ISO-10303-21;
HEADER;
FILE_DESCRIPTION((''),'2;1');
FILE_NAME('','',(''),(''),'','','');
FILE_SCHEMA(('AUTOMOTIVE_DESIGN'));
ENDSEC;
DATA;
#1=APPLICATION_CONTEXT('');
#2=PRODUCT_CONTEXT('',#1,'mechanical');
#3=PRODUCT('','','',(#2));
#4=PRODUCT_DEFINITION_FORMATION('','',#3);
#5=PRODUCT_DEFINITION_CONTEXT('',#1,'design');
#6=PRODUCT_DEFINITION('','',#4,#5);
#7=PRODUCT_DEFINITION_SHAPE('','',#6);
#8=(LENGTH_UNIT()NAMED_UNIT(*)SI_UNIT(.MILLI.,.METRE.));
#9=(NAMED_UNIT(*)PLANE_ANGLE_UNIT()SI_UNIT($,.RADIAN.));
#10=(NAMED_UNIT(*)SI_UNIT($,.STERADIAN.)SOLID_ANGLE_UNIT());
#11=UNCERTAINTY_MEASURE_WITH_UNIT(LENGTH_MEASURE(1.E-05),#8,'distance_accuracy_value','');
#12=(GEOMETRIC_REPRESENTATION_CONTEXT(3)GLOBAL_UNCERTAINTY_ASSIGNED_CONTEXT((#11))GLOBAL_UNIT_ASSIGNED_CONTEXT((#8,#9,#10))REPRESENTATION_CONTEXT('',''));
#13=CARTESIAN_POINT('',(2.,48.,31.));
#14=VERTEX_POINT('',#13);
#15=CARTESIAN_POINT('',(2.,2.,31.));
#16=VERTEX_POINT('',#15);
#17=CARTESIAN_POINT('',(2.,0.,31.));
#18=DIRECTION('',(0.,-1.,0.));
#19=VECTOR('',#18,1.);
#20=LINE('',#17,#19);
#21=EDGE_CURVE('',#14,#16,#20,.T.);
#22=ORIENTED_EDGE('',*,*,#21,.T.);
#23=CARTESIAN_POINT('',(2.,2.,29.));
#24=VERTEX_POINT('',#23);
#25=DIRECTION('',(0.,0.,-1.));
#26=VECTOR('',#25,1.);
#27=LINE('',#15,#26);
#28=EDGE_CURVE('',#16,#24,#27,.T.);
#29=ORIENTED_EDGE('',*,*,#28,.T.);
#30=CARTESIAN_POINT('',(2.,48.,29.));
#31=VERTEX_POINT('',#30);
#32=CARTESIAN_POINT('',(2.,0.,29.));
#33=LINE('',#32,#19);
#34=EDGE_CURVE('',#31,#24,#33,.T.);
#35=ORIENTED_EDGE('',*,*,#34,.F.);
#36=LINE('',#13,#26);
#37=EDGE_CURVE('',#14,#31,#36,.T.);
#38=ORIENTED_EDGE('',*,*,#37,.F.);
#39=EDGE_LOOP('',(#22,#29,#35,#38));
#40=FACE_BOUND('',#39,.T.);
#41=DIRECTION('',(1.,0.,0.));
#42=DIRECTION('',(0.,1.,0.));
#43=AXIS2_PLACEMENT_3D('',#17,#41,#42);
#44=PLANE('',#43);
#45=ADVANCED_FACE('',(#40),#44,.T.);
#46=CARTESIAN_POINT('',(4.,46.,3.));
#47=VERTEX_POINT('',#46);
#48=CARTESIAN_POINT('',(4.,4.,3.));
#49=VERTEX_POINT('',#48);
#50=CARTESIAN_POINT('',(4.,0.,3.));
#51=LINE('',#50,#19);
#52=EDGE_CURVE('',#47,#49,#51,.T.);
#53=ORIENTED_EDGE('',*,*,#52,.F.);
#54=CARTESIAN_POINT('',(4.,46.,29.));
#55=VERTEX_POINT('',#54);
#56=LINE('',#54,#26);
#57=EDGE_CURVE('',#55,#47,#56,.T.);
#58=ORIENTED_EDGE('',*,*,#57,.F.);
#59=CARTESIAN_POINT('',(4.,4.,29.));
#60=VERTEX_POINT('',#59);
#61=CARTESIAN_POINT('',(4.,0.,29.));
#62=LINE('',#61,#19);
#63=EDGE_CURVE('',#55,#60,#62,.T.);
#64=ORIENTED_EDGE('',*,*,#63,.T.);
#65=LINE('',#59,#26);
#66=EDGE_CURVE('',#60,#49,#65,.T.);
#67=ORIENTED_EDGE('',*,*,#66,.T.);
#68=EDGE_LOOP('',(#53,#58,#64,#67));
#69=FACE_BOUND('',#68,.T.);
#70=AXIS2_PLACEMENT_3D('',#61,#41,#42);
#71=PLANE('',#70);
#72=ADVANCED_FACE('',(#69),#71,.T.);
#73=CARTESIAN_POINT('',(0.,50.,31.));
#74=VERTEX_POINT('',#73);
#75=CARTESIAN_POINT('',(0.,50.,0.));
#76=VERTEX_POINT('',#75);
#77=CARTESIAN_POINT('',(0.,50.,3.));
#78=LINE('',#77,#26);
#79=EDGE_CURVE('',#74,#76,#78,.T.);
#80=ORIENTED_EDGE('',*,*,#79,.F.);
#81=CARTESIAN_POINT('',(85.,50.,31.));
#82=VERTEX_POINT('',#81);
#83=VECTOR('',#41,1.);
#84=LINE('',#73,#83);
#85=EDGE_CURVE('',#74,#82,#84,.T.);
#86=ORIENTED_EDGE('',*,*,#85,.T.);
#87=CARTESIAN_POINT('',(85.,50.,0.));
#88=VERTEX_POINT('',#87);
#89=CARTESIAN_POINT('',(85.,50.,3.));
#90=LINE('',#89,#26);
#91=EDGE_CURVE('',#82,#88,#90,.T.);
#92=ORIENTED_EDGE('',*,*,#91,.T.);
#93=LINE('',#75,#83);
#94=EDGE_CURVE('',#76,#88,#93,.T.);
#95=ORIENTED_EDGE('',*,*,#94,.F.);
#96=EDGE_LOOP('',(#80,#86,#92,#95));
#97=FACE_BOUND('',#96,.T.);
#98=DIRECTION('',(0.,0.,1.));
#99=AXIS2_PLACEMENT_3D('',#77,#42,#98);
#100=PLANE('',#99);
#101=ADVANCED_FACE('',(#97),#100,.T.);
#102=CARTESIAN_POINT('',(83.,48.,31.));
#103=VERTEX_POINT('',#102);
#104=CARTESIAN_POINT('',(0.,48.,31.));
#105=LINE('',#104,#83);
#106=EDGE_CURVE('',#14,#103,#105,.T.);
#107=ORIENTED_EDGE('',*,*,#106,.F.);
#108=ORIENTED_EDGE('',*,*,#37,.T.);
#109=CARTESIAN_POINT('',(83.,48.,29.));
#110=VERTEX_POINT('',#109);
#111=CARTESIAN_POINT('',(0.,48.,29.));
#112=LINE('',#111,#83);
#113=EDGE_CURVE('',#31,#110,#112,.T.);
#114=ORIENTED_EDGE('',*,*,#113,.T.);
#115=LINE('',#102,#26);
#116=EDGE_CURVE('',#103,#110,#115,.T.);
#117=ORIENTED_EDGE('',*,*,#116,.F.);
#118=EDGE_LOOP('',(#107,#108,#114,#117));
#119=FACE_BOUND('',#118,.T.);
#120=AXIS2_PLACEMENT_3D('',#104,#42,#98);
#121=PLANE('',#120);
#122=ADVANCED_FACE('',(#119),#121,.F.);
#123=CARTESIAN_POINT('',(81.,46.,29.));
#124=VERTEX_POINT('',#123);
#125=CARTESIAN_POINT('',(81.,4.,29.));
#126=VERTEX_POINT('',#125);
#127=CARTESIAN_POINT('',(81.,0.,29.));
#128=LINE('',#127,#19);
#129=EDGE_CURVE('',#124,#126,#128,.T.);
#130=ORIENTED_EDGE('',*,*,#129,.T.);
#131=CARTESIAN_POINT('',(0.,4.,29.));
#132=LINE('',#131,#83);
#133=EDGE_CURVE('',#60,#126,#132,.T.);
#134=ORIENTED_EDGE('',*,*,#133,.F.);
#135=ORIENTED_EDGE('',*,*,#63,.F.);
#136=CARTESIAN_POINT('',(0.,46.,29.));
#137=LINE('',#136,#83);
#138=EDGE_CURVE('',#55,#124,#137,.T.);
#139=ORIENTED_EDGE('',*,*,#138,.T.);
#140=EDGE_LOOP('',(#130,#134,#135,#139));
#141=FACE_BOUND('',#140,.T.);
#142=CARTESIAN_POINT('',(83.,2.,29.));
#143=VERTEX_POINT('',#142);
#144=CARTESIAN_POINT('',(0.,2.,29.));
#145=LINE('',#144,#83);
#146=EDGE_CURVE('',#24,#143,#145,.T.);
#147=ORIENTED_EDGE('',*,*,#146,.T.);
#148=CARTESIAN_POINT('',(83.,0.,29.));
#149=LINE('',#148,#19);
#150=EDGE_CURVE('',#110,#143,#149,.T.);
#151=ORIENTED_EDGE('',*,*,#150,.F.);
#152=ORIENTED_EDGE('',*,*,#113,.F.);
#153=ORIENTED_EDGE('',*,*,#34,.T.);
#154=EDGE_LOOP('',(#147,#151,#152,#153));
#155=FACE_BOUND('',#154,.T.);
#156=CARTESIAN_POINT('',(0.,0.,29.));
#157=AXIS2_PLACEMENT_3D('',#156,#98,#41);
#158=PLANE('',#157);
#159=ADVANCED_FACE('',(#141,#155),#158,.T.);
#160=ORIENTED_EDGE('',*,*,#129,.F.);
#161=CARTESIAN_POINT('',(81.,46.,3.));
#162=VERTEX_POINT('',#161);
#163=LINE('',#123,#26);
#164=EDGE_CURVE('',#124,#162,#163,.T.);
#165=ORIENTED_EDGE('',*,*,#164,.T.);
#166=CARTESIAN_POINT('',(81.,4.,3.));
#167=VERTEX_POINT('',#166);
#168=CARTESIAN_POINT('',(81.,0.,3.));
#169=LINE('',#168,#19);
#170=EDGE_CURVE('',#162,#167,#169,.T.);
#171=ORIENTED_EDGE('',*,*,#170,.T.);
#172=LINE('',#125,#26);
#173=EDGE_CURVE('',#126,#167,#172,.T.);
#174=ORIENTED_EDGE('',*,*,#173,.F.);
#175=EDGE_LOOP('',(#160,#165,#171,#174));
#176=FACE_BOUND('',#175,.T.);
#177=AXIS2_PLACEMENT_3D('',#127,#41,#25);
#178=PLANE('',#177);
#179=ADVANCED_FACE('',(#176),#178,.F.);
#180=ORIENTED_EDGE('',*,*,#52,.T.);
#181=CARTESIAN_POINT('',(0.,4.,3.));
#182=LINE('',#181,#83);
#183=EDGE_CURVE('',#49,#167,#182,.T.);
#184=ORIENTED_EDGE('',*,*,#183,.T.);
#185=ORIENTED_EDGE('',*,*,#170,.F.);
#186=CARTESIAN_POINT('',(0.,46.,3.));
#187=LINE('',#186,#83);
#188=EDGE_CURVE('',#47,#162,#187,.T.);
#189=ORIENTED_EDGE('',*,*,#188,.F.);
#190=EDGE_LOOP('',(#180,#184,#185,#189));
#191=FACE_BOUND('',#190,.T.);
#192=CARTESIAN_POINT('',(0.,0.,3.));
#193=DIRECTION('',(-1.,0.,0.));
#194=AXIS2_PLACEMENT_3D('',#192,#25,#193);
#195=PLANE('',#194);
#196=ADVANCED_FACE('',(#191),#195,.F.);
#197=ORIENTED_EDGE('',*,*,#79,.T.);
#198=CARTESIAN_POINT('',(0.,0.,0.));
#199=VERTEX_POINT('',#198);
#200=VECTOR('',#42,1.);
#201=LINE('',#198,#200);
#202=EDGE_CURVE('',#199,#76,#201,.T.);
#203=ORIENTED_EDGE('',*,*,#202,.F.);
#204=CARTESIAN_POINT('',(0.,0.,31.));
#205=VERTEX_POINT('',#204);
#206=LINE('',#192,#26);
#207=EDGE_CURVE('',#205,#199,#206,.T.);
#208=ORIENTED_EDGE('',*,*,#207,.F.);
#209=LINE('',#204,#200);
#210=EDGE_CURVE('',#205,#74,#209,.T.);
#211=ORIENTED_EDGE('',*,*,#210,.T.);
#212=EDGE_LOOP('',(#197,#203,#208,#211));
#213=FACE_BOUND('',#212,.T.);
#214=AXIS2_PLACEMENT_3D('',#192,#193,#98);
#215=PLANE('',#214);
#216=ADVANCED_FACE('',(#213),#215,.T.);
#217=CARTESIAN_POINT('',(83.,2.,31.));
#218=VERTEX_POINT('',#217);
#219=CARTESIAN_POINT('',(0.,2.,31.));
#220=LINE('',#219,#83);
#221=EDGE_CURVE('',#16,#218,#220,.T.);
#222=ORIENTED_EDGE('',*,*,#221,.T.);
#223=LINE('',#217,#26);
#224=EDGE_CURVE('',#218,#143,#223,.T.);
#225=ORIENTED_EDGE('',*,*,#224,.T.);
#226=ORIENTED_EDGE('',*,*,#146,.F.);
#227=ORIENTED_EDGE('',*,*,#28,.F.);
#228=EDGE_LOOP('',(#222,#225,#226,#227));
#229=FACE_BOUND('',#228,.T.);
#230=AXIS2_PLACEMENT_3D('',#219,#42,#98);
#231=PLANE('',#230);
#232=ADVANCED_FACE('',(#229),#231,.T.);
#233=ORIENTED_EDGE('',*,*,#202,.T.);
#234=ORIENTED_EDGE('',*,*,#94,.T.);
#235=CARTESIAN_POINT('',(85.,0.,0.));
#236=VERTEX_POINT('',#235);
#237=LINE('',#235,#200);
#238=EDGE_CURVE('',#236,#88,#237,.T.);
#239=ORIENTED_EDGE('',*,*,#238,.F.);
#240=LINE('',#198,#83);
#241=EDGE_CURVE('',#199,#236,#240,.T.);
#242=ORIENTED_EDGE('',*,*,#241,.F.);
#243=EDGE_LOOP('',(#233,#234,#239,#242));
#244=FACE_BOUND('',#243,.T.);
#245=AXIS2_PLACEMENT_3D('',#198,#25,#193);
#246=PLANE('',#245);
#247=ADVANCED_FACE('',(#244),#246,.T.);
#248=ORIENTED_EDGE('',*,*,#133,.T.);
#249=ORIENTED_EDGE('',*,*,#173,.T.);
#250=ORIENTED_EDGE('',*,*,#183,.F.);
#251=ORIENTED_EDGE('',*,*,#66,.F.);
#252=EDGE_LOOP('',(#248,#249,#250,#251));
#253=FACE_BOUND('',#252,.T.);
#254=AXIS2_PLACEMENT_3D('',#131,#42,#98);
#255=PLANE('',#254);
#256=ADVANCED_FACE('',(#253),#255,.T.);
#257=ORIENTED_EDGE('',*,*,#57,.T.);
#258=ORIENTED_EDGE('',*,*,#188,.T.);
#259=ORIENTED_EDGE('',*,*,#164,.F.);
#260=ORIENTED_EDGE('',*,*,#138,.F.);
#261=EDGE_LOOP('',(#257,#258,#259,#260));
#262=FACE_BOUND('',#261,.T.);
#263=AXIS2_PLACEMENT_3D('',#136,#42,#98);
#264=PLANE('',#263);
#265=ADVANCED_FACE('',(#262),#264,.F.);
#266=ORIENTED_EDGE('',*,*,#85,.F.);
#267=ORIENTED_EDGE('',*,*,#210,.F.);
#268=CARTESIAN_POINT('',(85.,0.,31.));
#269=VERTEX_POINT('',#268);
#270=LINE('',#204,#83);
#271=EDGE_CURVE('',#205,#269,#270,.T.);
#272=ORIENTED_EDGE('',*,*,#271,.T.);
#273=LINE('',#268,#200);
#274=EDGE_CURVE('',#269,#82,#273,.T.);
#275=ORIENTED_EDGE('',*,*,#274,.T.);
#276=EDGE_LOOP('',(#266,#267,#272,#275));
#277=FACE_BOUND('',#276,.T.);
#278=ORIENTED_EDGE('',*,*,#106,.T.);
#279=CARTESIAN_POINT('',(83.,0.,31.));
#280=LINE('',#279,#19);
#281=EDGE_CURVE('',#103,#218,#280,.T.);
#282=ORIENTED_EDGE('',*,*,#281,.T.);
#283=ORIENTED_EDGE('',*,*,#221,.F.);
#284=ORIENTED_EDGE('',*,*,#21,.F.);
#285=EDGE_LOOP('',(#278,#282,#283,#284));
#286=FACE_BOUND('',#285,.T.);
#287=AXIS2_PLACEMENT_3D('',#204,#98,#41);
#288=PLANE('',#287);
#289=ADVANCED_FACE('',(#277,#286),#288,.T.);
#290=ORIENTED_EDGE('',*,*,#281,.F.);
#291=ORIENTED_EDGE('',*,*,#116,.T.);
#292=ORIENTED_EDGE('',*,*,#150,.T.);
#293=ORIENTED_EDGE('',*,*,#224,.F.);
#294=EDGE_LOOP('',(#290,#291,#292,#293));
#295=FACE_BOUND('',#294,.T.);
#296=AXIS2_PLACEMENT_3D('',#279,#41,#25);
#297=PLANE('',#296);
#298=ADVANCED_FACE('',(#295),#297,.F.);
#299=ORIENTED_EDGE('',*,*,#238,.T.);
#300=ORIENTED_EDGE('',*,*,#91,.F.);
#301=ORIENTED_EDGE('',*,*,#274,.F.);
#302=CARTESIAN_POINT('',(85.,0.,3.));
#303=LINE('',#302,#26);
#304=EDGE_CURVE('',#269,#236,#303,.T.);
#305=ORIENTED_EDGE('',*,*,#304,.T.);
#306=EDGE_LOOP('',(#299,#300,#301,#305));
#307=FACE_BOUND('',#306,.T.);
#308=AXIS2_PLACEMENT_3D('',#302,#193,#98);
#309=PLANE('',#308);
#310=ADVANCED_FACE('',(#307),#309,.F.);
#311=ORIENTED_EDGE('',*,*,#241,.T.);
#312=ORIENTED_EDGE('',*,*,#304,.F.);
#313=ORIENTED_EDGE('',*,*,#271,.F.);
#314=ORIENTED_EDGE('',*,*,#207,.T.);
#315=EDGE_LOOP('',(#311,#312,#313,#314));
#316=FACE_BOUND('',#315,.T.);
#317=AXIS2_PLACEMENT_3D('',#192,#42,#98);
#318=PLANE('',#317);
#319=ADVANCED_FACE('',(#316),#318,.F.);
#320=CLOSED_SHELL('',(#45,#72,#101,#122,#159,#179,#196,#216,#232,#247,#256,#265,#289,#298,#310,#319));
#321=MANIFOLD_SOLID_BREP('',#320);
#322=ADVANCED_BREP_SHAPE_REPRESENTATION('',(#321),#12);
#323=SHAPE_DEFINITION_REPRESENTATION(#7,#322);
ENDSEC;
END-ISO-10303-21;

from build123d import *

# Parameters (mm, degrees)
SKICA1_W                = 85
SKICA1_H                = 50
P_IDAT_VYSUNUT_M1_DEPTH = 3
SKICA1_5_W              = 85
SKICA1_5_H              = 50
SKICA1_5_W_2            = 81
SKICA1_5_H_2            = 46
P_IDAT_VYSUNUT_M2_DEPTH = 31
SKICA1_6_W              = 81
SKICA1_6_H              = 46
SKICA1_6_W_2            = 77
SKICA1_6_H_2            = 42
P_IDAT_VYSUNUT_M3_DEPTH = 29


with BuildPart() as part:
    # Skica1 → Přidat vysunutím1 (new body)
    with BuildSketch(Plane.XY):
        with Locations((42.5, 25)):
            Rectangle(SKICA1_W, SKICA1_H)
    extrude(amount=P_IDAT_VYSUNUT_M1_DEPTH)

    # Skica1<5> → Přidat vysunutím2 (add)
    with BuildSketch(Plane.XY):
        with Locations((42.5, 25)):
            Rectangle(SKICA1_5_W, SKICA1_5_H)
        with Locations((42.5, 25)):
            Rectangle(SKICA1_5_W_2, SKICA1_5_H_2, mode=Mode.SUBTRACT)
    extrude(amount=P_IDAT_VYSUNUT_M2_DEPTH)

    # Skica1<6> → Přidat vysunutím3 (add)
    with BuildSketch(Plane.XY):
        with Locations((42.5, 25)):
            Rectangle(SKICA1_6_W, SKICA1_6_H)
        with Locations((42.5, 25)):
            Rectangle(SKICA1_6_W_2, SKICA1_6_H_2, mode=Mode.SUBTRACT)
    extrude(amount=P_IDAT_VYSUNUT_M3_DEPTH)


solid = part.part
